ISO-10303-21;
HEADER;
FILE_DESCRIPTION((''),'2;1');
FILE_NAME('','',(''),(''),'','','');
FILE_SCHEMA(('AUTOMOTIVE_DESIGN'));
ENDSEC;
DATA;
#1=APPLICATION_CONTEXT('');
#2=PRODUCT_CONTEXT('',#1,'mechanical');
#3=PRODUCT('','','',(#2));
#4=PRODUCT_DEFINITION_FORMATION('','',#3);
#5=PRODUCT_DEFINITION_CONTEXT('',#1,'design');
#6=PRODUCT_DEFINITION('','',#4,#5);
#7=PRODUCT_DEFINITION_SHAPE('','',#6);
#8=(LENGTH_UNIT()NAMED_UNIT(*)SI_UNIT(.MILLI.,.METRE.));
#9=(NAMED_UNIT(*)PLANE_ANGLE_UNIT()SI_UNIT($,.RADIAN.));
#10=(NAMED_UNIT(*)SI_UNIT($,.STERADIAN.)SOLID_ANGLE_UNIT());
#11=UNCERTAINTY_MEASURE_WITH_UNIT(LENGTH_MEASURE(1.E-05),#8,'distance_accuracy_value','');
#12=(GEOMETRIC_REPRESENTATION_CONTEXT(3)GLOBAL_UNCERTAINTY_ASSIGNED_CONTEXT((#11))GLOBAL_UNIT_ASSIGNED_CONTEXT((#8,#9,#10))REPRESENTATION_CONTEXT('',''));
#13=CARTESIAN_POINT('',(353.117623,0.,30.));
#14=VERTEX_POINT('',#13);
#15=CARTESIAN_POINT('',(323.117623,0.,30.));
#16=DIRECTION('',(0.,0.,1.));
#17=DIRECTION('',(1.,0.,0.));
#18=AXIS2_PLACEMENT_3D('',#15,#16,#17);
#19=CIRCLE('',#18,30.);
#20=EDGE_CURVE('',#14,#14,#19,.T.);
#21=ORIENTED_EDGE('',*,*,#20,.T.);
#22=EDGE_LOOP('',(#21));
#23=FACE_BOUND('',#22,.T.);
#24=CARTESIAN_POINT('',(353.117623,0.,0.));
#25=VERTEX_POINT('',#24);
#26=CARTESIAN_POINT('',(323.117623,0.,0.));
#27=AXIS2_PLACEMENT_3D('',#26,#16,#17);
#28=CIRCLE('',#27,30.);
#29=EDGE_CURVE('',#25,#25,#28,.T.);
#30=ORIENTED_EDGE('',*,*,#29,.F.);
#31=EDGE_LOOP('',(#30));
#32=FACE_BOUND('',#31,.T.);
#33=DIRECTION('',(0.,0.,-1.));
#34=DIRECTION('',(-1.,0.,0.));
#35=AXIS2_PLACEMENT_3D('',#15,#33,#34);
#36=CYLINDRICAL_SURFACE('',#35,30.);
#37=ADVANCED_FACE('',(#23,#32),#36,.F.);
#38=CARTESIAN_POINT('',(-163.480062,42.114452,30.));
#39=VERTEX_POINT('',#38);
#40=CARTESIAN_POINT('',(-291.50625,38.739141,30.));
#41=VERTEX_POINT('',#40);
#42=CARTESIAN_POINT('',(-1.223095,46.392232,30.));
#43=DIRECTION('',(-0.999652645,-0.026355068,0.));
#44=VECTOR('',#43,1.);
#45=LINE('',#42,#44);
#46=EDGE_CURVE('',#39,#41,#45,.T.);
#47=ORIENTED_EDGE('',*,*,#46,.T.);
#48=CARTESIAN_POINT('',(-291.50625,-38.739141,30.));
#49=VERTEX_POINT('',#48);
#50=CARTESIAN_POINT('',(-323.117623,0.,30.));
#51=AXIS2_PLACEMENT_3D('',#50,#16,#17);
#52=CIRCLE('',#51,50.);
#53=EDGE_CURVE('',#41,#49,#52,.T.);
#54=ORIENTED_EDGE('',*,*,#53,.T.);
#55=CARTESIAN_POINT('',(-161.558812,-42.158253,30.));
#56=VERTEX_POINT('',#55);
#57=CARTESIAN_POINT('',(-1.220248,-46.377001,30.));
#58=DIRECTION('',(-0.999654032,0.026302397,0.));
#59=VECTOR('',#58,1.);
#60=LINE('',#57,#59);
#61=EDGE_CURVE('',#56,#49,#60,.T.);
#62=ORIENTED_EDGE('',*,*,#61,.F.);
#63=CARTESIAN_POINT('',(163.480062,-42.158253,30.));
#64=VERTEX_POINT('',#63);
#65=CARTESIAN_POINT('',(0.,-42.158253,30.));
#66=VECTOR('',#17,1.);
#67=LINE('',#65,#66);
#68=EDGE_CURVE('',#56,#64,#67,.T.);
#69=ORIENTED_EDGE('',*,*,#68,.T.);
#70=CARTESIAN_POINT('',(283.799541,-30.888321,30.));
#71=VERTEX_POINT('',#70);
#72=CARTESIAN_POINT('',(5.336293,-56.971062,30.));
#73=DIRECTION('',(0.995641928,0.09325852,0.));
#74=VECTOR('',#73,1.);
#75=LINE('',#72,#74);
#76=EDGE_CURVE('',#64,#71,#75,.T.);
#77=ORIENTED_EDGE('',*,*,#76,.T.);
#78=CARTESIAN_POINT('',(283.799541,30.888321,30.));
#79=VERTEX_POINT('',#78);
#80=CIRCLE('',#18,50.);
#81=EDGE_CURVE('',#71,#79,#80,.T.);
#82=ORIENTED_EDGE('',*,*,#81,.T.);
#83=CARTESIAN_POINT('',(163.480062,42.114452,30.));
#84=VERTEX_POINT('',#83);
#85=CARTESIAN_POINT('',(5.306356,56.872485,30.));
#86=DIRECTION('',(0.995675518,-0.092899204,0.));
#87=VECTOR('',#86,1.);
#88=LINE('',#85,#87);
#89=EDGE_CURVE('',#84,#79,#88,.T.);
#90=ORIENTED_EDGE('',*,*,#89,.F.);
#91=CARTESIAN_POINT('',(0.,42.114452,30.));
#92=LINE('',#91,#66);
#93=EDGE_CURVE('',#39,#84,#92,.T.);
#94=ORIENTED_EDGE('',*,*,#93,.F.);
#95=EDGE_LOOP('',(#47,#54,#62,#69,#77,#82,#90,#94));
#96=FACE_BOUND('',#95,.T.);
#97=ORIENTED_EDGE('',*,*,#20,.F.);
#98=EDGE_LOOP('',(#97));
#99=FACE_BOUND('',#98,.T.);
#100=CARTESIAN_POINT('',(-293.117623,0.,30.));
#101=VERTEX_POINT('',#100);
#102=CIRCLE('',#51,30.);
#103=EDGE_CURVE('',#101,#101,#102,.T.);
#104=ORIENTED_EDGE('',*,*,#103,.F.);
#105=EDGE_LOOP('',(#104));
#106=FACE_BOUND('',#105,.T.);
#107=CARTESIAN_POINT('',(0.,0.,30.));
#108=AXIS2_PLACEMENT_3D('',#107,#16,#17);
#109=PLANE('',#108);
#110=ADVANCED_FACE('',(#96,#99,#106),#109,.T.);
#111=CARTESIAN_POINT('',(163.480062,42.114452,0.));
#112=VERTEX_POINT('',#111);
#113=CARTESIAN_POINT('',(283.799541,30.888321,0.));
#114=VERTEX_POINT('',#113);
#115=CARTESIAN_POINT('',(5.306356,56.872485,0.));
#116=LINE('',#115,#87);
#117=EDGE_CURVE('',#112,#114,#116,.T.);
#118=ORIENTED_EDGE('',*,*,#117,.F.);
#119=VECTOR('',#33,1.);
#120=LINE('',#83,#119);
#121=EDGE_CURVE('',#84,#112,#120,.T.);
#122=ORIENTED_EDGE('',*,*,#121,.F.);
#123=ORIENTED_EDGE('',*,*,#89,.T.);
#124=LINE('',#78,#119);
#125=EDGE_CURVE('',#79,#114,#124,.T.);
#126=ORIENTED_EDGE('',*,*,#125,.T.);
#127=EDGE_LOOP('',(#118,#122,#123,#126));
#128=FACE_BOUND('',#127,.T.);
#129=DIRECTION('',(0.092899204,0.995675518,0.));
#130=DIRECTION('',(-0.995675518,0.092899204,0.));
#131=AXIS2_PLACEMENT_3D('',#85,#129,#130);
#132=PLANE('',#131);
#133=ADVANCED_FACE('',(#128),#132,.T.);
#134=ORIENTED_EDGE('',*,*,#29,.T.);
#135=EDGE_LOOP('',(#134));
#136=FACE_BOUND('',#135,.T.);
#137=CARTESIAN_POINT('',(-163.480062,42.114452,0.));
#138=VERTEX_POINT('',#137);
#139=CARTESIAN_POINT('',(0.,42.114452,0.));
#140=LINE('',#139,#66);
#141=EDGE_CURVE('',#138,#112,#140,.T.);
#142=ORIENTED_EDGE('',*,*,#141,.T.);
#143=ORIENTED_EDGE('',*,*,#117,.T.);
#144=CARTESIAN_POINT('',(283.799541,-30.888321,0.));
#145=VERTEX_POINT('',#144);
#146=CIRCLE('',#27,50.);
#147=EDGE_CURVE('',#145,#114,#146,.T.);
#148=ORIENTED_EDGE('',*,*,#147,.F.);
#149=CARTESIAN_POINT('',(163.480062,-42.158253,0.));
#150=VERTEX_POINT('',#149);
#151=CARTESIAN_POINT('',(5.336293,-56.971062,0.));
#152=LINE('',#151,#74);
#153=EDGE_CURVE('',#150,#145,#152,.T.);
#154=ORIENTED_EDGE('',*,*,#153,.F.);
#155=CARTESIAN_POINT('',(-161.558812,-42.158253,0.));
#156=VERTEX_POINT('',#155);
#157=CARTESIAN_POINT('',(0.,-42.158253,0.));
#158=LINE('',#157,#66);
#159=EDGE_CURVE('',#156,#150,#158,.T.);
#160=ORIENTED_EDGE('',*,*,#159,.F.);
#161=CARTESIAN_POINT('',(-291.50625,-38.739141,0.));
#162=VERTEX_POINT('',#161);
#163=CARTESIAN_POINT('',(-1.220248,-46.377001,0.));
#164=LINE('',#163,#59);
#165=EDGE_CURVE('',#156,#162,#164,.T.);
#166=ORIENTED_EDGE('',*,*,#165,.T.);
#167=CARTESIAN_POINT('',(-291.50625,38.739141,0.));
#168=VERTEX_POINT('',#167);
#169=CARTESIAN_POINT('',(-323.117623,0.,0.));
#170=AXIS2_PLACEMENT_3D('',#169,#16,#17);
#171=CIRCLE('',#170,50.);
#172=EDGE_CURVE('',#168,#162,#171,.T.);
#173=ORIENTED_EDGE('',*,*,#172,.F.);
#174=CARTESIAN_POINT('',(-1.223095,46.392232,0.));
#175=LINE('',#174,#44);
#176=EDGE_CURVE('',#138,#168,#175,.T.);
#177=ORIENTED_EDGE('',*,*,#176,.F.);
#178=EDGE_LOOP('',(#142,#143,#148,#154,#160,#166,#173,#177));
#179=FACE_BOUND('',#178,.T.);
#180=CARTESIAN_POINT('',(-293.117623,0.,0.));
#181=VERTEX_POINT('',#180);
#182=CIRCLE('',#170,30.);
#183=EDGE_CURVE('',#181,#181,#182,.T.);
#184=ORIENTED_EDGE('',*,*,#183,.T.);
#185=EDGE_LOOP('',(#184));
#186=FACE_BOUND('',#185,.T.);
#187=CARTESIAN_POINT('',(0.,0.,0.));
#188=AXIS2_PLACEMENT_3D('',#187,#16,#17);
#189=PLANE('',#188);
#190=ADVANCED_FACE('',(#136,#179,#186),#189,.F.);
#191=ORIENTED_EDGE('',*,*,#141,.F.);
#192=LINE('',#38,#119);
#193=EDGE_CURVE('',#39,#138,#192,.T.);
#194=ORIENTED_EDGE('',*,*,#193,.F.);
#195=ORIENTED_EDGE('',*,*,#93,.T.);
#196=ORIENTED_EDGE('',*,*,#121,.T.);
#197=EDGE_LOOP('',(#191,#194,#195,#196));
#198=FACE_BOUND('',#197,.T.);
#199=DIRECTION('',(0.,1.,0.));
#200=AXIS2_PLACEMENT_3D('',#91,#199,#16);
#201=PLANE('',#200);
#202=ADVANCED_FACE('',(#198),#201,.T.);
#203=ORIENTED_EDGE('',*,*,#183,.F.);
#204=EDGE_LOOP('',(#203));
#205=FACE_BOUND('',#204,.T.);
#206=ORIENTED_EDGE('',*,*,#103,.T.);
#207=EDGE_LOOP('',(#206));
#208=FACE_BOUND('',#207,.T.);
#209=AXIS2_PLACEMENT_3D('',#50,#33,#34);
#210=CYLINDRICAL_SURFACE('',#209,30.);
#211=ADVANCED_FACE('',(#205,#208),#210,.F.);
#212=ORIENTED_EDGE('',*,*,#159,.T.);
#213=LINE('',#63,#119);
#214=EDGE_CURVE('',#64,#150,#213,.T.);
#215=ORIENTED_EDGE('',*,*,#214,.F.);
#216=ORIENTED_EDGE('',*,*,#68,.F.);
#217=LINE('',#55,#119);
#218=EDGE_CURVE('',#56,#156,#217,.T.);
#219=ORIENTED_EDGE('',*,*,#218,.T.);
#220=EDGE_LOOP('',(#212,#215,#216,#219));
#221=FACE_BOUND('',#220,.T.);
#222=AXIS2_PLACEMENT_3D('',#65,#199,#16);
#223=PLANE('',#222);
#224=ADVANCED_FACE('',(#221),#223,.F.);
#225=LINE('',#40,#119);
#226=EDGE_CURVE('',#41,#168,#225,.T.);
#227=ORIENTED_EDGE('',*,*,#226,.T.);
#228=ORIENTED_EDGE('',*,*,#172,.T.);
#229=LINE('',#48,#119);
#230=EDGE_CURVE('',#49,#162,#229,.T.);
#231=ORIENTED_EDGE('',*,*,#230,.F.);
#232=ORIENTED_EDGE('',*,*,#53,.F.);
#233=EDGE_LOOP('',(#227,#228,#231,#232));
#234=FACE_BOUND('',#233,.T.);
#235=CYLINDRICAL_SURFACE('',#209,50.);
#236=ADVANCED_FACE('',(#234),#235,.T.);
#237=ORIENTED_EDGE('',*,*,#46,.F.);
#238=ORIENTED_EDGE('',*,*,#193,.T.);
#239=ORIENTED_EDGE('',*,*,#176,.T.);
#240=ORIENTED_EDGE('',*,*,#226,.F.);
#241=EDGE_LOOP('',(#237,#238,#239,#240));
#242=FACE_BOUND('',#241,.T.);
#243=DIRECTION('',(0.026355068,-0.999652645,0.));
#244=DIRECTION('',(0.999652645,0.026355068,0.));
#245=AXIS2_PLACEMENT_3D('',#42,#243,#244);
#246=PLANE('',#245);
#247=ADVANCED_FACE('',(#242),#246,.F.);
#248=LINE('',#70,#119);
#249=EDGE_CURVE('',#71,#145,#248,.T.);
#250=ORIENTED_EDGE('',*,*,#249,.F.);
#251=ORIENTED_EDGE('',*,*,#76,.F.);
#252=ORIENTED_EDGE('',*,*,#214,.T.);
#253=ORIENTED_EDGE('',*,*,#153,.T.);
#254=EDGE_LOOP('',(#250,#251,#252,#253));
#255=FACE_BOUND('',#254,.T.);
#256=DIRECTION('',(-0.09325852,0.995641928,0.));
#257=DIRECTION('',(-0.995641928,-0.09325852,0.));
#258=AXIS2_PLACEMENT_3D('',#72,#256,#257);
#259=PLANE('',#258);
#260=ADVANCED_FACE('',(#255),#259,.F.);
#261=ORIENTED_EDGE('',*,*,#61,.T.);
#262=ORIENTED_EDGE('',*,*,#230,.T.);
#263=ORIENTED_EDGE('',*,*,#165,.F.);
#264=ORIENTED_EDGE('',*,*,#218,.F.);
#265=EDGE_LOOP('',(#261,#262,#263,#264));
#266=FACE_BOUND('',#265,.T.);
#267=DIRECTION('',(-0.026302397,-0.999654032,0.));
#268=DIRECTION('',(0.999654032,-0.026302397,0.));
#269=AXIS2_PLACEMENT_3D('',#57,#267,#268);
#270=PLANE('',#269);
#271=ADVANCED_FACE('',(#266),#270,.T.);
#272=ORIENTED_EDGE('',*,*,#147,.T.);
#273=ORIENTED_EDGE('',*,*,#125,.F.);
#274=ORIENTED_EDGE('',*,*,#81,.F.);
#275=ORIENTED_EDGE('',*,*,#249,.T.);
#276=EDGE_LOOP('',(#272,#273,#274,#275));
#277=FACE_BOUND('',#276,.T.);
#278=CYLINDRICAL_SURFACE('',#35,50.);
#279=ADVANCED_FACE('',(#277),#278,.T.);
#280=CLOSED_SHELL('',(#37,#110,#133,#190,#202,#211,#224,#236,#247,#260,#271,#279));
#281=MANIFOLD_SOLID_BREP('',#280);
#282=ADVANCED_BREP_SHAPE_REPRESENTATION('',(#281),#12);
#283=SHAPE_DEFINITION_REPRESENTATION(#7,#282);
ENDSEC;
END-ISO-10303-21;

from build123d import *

# Parameters (mm, degrees)
SKETCH1_R           = 30
BOSS_EXTRUDE1_DEPTH = 30


with BuildPart() as part:
    # Sketch1 → Boss-Extrude1 (new body)
    with BuildSketch(Plane.XY):
        with BuildLine():
            Line((-163.480061578, 42.114452454), (-291.506249588, 38.739141102))
            ThreePointArc((-291.506249588, 38.739141102), (-373.11762328, 0), (-291.506249588, -38.739141102))
            Line((-291.506249588, -38.739141102), (-161.55881164, -42.158253128))
            Line((-161.55881164, -42.158253128), (163.480061578, -42.158253128))
            Line((163.480061578, -42.158253128), (283.79954089, -30.888321372))
            ThreePointArc((283.79954089, -30.888321372), (373.11762328, 0), (283.79954089, 30.888321372))
            Line((283.79954089, 30.888321372), (163.480061578, 42.114452454))
            Line((163.480061578, 42.114452454), (-163.480061578, 42.114452454))
        make_face()
        with Locations((-323.11762328, 0)):
            Circle(SKETCH1_R, mode=Mode.SUBTRACT)
        with Locations((323.11762328, 0)):
            Circle(SKETCH1_R, mode=Mode.SUBTRACT)
    extrude(amount=BOSS_EXTRUDE1_DEPTH)


solid = part.part
